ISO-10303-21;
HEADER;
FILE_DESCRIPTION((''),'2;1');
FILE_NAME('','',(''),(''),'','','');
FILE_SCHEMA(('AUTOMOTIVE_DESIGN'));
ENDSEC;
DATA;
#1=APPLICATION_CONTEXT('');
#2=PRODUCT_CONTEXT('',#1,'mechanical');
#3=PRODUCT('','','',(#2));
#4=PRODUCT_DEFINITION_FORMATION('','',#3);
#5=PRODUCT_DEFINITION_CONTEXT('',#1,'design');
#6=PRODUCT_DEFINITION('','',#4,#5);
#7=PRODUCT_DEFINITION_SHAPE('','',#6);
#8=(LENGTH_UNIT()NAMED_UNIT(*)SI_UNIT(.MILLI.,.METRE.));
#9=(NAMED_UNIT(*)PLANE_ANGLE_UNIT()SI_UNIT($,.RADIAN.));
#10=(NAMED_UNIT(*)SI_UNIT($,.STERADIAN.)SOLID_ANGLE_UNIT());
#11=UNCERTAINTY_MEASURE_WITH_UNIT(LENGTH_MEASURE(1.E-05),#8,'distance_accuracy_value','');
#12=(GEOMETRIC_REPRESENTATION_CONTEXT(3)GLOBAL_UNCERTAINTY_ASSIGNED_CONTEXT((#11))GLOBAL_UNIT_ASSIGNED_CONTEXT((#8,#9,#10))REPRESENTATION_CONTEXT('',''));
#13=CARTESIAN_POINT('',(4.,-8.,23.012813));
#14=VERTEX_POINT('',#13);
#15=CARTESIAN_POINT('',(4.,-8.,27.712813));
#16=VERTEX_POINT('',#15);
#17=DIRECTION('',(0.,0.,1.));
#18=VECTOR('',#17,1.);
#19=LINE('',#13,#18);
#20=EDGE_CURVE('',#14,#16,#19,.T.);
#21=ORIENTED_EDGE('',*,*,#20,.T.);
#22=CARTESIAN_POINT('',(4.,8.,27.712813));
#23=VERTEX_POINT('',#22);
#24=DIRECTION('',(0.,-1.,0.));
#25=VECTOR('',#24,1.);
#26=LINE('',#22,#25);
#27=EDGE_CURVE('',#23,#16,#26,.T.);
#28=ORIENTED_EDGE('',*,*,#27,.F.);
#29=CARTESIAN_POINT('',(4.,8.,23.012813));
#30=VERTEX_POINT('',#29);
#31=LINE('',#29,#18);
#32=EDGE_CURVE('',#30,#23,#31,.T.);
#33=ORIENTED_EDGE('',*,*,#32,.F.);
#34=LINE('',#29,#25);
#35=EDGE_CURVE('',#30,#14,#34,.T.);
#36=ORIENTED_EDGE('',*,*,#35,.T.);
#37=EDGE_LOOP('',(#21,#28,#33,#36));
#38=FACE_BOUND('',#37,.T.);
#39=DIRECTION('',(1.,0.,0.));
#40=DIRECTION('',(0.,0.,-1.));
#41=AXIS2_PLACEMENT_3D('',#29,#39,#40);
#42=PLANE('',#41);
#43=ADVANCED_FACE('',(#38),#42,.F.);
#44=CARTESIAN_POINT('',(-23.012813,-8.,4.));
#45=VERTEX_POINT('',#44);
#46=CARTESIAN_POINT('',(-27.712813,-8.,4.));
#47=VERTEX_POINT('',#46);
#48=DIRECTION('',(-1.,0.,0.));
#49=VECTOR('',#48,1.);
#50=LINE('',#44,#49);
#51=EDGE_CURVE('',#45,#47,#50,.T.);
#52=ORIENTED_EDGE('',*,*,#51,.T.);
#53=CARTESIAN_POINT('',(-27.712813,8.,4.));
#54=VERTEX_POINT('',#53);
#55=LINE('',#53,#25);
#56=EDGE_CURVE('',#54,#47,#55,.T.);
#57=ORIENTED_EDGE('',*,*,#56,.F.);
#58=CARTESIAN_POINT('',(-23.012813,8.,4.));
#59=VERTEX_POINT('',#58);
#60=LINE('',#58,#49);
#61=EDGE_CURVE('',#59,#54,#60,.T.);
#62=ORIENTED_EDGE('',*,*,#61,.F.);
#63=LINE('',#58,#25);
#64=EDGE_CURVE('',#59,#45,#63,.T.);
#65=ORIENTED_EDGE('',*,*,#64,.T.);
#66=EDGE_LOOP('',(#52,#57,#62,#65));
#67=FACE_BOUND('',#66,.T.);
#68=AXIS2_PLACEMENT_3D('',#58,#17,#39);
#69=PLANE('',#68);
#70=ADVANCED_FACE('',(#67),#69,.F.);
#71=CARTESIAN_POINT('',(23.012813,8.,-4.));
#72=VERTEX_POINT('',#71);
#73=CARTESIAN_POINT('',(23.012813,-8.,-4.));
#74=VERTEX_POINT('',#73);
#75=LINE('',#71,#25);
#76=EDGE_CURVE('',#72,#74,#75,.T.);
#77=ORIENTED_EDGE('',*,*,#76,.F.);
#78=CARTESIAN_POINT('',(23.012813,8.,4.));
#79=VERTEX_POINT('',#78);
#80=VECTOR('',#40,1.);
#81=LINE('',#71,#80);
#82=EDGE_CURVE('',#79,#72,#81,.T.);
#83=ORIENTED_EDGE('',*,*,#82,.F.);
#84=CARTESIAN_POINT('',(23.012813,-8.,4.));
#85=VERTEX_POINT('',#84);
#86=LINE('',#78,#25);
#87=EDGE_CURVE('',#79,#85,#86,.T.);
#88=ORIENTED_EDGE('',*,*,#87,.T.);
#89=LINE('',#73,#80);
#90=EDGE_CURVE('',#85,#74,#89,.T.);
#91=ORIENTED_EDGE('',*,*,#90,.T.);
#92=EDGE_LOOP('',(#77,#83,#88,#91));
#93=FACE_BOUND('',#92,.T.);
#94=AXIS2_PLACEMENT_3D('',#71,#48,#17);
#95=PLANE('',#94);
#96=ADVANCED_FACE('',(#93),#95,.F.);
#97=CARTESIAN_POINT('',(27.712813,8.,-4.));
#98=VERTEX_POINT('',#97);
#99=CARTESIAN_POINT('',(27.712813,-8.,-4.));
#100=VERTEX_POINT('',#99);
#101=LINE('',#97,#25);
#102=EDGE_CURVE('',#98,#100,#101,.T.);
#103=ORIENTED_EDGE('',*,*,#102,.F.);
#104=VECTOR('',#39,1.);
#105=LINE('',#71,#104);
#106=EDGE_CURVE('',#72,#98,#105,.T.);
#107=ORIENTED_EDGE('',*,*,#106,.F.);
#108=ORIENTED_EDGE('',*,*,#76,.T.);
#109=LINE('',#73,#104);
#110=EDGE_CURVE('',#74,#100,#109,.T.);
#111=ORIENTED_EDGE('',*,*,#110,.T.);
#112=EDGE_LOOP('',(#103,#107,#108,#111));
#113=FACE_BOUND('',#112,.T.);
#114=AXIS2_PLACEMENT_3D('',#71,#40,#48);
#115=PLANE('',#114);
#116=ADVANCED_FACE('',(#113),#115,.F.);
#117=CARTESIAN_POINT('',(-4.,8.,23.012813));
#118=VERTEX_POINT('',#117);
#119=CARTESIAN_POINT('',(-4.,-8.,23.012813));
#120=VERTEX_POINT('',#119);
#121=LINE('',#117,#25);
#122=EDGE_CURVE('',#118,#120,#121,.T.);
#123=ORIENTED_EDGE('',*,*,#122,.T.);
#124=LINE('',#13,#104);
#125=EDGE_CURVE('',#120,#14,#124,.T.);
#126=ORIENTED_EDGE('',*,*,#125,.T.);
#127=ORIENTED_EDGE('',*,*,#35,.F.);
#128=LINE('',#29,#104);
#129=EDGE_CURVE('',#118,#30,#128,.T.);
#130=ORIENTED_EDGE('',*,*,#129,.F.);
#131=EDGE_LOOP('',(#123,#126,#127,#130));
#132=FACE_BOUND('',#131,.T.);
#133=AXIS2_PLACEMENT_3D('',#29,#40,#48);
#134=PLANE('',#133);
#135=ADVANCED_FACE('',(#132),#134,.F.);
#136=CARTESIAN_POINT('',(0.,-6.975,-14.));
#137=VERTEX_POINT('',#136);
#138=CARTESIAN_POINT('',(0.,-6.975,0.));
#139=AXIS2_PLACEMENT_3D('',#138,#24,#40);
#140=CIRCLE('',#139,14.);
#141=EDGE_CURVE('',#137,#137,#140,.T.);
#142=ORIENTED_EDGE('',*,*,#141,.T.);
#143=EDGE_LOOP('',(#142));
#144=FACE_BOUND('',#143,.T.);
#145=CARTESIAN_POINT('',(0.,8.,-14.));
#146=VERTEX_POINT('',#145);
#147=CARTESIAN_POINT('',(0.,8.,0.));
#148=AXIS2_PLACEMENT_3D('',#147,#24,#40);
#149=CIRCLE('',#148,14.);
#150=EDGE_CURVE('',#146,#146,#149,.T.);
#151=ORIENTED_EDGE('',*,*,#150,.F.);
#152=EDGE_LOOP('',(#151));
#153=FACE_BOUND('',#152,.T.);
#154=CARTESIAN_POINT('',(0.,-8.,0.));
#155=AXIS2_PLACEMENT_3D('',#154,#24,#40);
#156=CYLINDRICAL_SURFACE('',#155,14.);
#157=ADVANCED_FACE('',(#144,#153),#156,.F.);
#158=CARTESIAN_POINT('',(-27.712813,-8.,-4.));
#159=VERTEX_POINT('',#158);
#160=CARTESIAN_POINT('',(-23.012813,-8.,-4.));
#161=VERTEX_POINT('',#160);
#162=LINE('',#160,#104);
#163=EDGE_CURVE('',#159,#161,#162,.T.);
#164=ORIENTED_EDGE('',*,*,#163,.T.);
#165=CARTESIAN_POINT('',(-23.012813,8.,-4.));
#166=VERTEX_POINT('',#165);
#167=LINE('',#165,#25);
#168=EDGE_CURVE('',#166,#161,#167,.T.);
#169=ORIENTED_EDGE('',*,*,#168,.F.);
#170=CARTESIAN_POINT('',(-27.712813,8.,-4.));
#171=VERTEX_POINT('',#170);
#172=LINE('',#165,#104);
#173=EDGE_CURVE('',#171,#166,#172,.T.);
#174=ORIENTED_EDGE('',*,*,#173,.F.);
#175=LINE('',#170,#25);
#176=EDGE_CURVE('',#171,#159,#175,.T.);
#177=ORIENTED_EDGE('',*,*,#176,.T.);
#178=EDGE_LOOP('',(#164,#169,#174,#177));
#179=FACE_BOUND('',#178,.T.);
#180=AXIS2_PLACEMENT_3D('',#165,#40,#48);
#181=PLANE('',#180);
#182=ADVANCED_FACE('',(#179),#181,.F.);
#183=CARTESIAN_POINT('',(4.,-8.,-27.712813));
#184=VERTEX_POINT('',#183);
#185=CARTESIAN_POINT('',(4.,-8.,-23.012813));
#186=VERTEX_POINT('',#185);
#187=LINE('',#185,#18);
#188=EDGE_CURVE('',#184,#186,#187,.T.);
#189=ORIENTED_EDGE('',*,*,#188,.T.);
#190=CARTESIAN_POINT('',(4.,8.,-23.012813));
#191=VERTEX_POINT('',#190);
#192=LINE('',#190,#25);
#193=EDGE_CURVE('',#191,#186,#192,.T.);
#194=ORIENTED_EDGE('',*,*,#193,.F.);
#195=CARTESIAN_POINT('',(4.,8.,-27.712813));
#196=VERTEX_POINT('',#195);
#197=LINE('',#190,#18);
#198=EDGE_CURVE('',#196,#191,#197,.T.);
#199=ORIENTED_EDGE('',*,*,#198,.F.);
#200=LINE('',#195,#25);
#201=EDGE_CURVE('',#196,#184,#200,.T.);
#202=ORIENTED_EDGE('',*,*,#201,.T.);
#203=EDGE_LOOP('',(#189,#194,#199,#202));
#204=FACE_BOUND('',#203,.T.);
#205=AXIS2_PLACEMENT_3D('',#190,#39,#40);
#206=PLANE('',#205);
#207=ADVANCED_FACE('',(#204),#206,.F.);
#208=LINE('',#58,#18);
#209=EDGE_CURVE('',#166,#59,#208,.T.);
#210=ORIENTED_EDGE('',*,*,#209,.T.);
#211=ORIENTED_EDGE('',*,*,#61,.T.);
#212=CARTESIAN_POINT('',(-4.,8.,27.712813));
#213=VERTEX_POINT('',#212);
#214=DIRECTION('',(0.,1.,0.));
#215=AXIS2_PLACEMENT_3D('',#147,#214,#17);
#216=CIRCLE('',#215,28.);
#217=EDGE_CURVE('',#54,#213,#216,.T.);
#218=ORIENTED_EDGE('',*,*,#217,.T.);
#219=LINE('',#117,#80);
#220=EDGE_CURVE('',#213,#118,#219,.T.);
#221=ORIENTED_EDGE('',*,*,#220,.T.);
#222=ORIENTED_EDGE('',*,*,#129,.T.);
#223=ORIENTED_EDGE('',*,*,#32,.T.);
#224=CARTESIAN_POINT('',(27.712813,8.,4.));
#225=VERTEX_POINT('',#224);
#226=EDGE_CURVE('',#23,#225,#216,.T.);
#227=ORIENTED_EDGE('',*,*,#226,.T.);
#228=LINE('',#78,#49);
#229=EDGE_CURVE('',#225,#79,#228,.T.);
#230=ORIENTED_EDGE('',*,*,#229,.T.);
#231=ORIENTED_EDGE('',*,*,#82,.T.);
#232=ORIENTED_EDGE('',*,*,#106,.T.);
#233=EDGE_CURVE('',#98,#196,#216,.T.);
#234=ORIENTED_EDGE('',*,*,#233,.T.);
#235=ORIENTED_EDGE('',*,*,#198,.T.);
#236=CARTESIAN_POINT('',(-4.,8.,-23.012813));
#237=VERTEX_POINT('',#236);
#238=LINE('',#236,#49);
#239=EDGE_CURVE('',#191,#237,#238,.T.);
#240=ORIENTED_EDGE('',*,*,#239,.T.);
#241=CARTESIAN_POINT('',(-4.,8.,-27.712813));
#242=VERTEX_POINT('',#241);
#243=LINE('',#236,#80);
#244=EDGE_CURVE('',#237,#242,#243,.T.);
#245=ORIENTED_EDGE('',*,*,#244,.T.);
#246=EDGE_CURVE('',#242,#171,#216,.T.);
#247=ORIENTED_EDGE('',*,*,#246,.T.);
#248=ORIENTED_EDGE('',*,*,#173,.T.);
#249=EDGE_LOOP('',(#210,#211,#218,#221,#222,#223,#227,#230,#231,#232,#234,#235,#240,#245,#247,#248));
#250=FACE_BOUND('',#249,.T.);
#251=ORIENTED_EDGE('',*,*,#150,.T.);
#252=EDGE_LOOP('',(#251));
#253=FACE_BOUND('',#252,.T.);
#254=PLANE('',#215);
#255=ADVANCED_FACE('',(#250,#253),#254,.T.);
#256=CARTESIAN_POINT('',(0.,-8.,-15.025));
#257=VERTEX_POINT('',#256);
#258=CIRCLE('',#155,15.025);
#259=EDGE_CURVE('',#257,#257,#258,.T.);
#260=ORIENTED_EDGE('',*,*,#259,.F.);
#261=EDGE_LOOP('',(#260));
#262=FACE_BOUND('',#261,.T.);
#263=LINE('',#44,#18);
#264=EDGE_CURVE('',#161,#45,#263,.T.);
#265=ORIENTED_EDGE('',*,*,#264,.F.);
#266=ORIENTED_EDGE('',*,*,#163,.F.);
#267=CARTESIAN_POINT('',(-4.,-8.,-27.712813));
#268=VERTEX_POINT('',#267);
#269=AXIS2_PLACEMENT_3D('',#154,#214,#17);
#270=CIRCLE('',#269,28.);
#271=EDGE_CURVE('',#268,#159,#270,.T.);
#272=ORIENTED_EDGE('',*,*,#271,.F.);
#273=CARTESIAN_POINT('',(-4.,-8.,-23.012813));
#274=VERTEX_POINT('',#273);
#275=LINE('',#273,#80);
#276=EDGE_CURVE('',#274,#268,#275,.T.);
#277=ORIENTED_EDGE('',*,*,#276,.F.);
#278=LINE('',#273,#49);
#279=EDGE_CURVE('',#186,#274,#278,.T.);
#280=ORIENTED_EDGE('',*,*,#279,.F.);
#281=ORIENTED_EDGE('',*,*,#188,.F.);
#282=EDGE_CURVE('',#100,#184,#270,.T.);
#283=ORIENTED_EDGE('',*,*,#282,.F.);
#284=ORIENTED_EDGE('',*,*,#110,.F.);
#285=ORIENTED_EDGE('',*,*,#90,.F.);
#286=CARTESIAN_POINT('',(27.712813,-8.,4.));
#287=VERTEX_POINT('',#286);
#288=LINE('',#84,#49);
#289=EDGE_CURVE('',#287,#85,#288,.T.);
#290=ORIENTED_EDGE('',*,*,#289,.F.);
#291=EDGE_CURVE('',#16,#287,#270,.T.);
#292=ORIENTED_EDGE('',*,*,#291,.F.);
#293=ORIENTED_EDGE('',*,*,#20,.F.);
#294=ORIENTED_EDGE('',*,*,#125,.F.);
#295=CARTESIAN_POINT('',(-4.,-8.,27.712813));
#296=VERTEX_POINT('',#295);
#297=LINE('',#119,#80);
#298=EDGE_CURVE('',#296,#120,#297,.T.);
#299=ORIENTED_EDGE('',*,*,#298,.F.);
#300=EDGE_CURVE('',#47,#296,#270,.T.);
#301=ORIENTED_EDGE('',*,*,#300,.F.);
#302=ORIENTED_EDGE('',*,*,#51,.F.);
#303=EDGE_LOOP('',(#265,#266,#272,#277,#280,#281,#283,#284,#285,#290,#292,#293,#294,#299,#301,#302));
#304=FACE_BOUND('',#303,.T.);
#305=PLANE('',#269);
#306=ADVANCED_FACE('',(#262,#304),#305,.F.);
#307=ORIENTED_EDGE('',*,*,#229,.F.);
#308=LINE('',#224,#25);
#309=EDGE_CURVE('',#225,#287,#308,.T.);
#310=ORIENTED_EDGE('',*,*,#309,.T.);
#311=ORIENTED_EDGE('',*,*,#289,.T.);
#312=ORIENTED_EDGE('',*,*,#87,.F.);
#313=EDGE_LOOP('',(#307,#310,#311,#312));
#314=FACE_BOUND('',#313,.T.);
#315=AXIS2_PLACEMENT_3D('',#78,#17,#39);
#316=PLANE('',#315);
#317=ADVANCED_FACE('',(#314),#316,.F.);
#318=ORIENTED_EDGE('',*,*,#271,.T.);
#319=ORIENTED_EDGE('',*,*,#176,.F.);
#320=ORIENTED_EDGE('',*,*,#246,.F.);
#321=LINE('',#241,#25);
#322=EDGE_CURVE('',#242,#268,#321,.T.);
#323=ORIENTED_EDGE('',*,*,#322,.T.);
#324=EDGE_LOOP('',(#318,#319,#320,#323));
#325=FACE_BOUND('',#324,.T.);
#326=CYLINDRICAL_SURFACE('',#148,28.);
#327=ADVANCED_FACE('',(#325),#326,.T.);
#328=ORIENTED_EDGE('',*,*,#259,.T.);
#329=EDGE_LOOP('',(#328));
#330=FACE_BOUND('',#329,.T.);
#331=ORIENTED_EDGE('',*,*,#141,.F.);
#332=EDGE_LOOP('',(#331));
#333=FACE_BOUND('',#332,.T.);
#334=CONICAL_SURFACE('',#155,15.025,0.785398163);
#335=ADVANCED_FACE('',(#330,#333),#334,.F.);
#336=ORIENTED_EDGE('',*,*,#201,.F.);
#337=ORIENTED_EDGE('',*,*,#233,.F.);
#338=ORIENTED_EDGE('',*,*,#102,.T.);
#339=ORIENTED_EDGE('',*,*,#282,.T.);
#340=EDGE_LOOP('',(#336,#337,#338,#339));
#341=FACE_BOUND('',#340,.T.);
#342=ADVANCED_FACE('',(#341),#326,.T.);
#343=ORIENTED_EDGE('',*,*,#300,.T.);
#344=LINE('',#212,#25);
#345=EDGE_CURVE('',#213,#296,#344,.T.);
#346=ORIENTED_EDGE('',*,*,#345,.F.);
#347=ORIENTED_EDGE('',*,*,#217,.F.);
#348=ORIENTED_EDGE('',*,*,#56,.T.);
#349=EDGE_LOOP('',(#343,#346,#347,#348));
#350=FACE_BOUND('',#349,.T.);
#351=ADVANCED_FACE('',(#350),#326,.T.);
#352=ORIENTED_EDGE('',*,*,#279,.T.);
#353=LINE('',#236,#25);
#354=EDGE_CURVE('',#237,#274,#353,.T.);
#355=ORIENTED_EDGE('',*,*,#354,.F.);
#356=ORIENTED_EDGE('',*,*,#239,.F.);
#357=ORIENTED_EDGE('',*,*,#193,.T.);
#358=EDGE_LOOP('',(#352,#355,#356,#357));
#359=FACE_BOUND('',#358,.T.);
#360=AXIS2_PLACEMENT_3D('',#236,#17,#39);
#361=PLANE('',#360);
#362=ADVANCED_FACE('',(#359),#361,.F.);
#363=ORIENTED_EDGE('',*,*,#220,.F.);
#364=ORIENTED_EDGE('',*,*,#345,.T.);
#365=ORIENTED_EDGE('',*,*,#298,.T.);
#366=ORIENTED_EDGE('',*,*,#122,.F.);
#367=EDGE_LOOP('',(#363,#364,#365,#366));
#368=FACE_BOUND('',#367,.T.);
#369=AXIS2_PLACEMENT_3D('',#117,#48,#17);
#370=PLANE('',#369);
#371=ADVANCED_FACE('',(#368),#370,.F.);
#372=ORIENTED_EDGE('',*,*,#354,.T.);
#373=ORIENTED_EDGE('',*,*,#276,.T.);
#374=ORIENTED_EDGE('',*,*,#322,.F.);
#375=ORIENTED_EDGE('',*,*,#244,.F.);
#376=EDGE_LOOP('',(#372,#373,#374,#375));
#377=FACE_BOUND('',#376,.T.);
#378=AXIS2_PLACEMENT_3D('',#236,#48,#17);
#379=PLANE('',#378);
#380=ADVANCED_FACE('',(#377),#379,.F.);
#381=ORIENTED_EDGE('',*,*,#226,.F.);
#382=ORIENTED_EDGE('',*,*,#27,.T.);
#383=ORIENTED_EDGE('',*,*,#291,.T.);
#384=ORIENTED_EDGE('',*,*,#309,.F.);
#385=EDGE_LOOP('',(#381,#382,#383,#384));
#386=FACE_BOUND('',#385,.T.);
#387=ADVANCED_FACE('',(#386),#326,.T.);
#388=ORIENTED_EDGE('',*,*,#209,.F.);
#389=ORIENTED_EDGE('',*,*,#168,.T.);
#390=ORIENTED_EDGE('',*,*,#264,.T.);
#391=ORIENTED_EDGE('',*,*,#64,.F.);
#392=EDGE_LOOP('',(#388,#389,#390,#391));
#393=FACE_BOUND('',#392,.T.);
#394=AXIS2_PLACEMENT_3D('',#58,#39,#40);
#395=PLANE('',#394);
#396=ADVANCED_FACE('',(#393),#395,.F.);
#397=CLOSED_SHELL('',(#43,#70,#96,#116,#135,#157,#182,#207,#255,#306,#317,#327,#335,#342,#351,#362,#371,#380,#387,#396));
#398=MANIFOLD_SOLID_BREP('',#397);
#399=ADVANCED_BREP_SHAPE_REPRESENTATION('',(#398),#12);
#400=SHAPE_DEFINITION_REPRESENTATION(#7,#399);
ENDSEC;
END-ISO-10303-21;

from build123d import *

# Parameters (mm, degrees)
BOSS_EXTRUDE1_DEPTH              = 8
M30X2_0_TAPPED_HOLE5_D           = 28
M30X2_0_TAPPED_HOLE5_DEPTH       = 16
M30X2_0_TAPPED_HOLE5_CSINK_D     = 30.05
M30X2_0_TAPPED_HOLE5_CSINK_ANGLE = 90
M30X2_0_TAPPED_HOLE5_TIP         = 8.412048666


with BuildPart() as part:
    # Sketch1 → Boss-Extrude1 (new, symmetric)
    with BuildSketch(Plane(origin=(0, 0, 0), x_dir=(1, 0, 0), z_dir=(0, 1, 0))):
        with BuildLine():
            Line((4, -23.012812921), (4, -27.712812921))
            ThreePointArc((4, -27.712812921), (19.798989873, -19.798989873), (27.712812921, -4))
            Line((27.712812921, -4), (23.012812921, -4))
            Line((23.012812921, -4), (23.012812921, 4))
            Line((23.012812921, 4), (27.712812921, 4))
            ThreePointArc((27.712812921, 4), (19.798989873, 19.798989873), (4, 27.712812921))
            Line((4, 27.712812921), (4, 23.012812921))
            Line((4, 23.012812921), (-4, 23.012812921))
            Line((-4, 23.012812921), (-4, 27.712812921))
            ThreePointArc((-4, 27.712812921), (-19.798989873, 19.798989873), (-27.712812921, 4))
            Line((-27.712812921, 4), (-23.012812921, 4))
            Line((-23.012812921, 4), (-23.012812921, -4))
            Line((-23.012812921, -4), (-27.712812921, -4))
            ThreePointArc((-27.712812921, -4), (-19.798989873, -19.798989873), (-4, -27.712812921))
            Line((-4, -27.712812921), (-4, -23.012812921))
            Line((-4, -23.012812921), (4, -23.012812921))
        make_face()
    extrude(amount=BOSS_EXTRUDE1_DEPTH, both=True)

    # M30x2.0 Tapped Hole5
    with Locations(Plane(origin=(0, -8, 0), x_dir=(-1, 0, 0), z_dir=(0, -1, 0))):
        with Locations((0, 0)):
            CounterSinkHole(M30X2_0_TAPPED_HOLE5_D / 2, M30X2_0_TAPPED_HOLE5_CSINK_D / 2, depth=M30X2_0_TAPPED_HOLE5_DEPTH, counter_sink_angle=M30X2_0_TAPPED_HOLE5_CSINK_ANGLE)
            with Locations((0, 0, -(M30X2_0_TAPPED_HOLE5_DEPTH + M30X2_0_TAPPED_HOLE5_TIP / 2))):  # 118° drill point
                Cone(0, M30X2_0_TAPPED_HOLE5_D / 2, M30X2_0_TAPPED_HOLE5_TIP, mode=Mode.SUBTRACT)


solid = part.part
